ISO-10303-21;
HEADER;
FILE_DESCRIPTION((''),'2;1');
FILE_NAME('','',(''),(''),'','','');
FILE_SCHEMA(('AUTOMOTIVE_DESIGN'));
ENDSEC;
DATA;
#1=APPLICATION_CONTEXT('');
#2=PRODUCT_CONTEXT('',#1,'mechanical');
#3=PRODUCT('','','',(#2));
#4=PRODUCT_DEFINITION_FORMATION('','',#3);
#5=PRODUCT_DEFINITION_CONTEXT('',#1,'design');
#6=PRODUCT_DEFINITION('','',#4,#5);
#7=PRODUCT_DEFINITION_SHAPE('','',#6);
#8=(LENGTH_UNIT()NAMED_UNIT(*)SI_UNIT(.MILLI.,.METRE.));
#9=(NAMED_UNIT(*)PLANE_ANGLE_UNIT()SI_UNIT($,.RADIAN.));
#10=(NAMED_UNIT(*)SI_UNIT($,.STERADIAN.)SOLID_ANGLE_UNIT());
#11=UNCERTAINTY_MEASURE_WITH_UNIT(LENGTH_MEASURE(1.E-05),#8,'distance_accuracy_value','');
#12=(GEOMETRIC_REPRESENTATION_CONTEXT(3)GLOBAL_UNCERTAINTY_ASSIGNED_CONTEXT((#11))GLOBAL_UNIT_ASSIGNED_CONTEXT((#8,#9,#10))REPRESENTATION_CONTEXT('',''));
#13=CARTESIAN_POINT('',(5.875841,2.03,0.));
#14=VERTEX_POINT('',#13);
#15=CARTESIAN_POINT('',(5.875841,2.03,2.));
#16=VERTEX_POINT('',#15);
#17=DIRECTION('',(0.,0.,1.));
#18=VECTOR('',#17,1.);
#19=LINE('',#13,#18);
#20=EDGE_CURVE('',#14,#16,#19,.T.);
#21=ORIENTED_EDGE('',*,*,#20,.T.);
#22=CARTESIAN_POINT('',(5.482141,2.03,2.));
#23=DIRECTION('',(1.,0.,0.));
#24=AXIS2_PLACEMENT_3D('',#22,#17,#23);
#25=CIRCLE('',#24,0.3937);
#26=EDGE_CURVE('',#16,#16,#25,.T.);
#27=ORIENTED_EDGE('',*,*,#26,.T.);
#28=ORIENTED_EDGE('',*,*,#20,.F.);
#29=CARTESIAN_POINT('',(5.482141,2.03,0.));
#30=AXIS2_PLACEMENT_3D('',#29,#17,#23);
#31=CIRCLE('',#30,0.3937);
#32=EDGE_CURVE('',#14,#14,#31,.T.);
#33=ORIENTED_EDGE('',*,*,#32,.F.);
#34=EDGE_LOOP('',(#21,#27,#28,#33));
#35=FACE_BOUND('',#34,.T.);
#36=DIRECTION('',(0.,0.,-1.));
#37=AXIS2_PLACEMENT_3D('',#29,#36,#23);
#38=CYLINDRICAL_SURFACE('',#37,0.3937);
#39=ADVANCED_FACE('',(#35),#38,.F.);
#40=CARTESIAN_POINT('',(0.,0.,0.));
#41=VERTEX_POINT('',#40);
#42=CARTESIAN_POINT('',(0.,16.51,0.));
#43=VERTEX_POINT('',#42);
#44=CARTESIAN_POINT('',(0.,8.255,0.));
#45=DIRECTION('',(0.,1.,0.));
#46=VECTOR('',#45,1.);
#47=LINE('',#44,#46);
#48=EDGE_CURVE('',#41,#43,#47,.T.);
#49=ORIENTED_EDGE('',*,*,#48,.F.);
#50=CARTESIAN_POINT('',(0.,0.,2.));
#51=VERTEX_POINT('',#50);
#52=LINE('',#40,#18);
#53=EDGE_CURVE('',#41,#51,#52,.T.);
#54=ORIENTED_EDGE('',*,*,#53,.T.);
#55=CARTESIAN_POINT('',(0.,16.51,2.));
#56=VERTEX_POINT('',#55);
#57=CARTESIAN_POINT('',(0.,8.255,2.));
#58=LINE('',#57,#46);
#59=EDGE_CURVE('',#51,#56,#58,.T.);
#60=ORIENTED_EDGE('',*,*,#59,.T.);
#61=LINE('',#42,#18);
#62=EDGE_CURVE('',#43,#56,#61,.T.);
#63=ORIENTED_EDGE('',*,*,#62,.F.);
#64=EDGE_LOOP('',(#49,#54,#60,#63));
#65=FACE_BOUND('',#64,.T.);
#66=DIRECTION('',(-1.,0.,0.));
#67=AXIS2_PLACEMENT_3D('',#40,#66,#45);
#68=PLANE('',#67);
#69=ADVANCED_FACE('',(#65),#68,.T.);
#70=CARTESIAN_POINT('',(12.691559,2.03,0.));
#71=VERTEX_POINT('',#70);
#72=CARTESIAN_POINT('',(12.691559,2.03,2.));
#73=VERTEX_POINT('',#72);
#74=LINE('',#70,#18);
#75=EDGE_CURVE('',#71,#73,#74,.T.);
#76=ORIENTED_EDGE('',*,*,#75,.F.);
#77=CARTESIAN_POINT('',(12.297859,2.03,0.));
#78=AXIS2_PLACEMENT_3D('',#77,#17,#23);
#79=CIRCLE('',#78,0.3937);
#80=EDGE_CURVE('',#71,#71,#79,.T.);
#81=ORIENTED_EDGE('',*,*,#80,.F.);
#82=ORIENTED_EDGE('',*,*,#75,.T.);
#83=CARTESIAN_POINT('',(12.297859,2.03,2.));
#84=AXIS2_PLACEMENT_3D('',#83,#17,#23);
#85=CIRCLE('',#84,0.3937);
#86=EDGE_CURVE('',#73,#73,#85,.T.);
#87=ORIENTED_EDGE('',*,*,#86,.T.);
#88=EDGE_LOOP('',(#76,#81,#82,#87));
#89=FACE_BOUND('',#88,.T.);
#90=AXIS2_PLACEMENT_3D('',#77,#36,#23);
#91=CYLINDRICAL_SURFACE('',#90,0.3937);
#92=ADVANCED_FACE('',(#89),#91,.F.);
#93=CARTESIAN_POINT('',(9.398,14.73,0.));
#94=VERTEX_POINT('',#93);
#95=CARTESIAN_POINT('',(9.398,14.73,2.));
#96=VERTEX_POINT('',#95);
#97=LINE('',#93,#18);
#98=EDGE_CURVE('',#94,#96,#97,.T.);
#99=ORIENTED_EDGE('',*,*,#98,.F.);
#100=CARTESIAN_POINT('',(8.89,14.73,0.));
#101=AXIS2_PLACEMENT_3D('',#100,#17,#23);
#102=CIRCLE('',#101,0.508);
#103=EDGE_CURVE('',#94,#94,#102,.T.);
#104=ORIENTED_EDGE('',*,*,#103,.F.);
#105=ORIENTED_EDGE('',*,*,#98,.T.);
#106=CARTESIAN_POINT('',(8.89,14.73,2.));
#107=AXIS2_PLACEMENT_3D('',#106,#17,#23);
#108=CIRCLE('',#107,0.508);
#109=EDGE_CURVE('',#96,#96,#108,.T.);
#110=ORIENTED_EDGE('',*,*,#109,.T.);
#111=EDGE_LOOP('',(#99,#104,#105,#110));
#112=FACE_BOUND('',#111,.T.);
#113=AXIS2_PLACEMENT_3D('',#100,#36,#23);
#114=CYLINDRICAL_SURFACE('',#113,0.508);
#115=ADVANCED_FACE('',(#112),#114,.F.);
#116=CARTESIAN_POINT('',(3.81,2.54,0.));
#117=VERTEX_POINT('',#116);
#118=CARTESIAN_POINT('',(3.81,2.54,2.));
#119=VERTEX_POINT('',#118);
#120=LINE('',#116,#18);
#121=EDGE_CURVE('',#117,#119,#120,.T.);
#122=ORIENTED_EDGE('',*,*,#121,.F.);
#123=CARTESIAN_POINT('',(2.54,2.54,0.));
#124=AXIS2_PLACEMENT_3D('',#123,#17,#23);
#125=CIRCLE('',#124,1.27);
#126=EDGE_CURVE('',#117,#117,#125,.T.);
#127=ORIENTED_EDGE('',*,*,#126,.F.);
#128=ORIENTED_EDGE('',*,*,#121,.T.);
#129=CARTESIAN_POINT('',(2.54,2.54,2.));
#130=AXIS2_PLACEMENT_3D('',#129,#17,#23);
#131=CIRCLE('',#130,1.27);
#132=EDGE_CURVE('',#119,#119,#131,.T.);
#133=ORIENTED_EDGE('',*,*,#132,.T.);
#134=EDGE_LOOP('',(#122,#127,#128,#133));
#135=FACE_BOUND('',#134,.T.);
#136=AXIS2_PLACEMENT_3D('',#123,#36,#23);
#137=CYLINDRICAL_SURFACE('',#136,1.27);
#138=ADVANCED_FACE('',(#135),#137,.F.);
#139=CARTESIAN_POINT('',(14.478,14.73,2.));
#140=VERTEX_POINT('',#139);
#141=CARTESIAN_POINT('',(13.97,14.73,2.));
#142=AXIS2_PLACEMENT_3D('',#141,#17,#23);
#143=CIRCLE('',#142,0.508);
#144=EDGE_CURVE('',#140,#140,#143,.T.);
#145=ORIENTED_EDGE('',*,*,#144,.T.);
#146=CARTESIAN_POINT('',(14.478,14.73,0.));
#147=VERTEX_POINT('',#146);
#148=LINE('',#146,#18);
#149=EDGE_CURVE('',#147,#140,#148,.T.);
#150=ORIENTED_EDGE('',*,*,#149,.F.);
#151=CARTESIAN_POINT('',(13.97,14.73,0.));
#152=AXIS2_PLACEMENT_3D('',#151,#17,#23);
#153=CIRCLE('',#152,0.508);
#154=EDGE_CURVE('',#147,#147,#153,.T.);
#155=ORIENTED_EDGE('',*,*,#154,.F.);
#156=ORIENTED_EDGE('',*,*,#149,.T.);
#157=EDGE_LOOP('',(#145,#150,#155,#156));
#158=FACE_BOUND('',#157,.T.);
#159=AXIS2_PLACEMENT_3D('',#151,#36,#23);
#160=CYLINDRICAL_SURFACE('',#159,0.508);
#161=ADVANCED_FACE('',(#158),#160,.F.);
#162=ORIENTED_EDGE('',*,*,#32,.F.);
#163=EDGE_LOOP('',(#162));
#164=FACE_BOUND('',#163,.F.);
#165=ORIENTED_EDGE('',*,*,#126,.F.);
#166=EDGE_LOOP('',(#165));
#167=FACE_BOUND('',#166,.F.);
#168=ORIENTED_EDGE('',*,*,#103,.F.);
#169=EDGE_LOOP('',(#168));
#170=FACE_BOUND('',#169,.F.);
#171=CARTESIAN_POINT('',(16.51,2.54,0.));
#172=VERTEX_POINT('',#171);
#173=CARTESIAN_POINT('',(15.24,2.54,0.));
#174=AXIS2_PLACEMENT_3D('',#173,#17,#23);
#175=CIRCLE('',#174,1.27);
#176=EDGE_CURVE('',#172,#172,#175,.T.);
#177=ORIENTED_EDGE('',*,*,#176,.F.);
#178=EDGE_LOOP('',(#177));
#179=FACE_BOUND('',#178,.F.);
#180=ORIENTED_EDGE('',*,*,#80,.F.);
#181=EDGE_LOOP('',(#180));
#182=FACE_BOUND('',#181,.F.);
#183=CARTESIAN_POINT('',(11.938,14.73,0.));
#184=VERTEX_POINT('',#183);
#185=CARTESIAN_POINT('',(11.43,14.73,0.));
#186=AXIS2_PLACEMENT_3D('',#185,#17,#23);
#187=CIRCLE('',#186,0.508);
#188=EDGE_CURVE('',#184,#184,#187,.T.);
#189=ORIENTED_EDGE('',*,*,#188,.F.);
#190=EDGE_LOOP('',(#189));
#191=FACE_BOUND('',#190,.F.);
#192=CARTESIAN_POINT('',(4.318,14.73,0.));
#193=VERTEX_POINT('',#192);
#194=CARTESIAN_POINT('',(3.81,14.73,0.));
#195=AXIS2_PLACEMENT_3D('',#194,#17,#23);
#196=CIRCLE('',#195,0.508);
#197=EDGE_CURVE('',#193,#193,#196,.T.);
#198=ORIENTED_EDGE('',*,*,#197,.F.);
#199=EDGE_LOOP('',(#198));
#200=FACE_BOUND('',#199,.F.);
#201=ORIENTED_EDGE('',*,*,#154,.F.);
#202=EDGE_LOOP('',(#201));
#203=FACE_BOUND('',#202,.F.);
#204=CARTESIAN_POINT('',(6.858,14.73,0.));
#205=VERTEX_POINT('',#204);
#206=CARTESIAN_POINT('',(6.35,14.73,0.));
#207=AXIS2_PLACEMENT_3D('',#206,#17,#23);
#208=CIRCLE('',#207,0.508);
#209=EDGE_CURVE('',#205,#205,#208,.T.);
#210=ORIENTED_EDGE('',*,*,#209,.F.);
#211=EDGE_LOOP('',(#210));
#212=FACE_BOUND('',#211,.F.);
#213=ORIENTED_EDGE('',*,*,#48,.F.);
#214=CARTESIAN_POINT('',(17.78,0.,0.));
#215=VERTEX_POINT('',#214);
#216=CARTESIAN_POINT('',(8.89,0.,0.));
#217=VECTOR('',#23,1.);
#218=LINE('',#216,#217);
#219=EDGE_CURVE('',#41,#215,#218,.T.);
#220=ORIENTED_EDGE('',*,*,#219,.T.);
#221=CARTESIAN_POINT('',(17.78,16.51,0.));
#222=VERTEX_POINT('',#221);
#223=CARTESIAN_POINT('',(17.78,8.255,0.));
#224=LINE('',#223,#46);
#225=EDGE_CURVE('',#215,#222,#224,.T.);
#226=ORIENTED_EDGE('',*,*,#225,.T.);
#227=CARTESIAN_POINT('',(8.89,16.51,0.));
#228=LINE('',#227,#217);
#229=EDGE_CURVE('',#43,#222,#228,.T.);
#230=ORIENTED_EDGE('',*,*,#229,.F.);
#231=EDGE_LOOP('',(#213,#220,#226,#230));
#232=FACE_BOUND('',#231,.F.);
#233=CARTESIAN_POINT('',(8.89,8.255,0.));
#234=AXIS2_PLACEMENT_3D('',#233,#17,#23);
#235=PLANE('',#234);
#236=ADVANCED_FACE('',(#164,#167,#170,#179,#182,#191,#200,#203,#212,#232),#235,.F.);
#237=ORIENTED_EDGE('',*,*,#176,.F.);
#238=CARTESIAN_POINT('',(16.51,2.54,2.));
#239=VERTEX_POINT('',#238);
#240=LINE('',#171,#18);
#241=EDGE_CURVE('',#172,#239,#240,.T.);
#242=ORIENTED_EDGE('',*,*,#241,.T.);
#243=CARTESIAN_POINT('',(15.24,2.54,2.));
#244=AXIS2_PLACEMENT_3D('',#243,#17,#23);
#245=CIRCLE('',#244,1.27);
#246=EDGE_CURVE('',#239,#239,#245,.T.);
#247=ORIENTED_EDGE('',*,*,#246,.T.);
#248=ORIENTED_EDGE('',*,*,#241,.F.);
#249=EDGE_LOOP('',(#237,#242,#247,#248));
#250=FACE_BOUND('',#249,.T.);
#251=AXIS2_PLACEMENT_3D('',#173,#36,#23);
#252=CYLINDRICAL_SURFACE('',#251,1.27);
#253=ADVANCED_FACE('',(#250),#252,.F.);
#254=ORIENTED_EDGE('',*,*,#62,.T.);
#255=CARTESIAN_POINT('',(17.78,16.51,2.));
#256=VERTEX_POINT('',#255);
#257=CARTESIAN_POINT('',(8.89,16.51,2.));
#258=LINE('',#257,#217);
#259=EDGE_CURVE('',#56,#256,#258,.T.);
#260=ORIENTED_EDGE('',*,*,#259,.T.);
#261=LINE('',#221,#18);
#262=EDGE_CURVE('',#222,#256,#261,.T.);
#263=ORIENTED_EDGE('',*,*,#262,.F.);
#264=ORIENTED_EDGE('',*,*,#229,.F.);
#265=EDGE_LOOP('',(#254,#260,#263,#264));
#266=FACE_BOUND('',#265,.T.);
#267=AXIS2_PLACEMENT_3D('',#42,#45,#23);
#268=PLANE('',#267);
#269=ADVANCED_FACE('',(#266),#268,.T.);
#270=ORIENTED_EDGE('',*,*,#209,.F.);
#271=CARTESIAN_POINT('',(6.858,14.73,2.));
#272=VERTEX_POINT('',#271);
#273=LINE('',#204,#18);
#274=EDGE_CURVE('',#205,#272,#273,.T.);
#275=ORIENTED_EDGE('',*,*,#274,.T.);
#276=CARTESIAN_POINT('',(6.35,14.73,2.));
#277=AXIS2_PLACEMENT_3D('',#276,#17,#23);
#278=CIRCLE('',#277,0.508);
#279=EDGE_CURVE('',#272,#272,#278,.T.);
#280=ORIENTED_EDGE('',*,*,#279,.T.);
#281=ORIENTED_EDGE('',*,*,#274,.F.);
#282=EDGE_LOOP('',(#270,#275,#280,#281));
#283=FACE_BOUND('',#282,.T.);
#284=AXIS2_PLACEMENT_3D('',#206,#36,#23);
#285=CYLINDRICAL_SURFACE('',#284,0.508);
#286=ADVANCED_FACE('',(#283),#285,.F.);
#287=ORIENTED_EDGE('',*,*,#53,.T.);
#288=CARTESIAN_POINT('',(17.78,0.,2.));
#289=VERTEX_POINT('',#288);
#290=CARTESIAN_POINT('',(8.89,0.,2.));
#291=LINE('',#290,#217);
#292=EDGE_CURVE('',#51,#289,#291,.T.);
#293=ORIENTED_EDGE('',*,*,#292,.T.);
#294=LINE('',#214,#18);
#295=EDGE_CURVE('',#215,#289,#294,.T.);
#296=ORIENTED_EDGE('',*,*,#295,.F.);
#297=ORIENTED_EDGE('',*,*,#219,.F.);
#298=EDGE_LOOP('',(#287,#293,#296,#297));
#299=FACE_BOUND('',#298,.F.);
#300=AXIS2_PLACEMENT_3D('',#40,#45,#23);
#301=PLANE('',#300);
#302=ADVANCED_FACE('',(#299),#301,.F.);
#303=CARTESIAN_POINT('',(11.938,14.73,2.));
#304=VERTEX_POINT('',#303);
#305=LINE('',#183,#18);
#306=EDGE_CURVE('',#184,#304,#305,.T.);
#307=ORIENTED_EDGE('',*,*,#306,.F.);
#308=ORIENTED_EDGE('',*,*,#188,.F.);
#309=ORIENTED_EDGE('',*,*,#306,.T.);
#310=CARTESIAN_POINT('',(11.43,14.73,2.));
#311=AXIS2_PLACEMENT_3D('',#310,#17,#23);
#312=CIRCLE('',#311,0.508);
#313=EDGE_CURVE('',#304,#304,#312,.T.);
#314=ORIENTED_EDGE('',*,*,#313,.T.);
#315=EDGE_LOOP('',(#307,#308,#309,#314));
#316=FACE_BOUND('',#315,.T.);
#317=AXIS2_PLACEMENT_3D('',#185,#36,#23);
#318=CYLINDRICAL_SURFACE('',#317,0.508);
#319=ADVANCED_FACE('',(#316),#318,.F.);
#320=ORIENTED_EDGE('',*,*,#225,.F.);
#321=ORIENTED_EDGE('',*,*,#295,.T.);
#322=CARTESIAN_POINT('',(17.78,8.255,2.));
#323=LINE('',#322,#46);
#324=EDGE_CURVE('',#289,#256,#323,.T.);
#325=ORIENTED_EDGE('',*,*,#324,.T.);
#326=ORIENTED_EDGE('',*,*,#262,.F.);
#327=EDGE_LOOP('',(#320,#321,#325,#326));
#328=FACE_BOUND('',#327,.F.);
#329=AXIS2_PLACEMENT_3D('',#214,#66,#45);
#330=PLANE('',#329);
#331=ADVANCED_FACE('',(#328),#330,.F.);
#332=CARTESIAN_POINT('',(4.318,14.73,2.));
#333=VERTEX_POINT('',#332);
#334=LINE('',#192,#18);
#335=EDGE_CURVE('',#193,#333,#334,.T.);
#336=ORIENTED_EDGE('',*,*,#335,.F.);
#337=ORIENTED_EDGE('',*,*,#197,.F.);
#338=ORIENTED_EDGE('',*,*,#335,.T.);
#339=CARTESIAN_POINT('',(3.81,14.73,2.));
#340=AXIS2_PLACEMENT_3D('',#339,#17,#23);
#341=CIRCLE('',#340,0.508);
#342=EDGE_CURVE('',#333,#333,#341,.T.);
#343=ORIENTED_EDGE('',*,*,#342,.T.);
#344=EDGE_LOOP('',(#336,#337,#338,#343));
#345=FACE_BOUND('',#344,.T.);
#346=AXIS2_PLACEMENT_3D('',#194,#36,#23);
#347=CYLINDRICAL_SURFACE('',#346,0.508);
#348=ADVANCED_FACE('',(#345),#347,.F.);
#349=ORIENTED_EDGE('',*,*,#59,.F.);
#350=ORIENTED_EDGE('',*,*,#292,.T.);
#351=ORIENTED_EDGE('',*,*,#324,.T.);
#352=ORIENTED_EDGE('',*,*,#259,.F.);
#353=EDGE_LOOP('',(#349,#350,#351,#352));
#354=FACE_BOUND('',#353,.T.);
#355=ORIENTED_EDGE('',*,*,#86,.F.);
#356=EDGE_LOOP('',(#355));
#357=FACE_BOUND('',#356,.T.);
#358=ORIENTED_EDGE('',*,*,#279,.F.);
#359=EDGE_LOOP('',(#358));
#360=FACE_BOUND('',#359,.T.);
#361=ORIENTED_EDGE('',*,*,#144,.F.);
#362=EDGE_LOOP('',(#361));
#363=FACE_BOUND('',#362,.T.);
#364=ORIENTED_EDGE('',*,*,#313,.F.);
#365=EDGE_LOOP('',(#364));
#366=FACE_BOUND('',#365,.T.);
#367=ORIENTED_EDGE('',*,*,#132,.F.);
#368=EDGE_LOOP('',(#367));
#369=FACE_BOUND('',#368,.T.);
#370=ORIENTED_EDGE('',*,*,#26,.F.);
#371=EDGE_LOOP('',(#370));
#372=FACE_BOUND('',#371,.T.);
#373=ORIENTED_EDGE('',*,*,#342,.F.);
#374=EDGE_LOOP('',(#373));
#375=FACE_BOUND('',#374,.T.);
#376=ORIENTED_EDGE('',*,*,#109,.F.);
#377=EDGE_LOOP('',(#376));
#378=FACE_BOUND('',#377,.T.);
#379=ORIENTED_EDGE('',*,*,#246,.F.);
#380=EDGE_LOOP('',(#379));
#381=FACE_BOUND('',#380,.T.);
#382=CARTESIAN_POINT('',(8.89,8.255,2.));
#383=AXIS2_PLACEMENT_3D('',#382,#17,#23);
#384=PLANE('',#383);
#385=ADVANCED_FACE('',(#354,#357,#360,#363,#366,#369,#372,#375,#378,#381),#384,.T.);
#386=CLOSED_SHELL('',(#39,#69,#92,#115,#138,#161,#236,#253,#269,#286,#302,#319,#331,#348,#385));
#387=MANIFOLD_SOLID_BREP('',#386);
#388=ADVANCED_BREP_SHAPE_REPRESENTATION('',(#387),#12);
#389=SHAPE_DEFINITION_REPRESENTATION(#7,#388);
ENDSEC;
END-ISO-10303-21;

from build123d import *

# Parameters (mm, degrees)
F0_W     = 17.78
F0_H     = 16.51
F0_R     = 1.27
F0_R_2   = 0.3937
F0_R_3   = 0.508
F1_DEPTH = 2


with BuildPart() as f1:
    # F0 (on Top) → F1 (new body)
    with BuildSketch(Plane.XY):
        with Locations((8.89, 8.255)):
            Rectangle(F0_W, F0_H)
        with Locations((2.54, 2.54)):
            Circle(F0_R, mode=Mode.SUBTRACT)
        with Locations((5.482141, 2.03)):
            Circle(F0_R_2, mode=Mode.SUBTRACT)
        with Locations((12.297859, 2.03)):
            Circle(F0_R_2, mode=Mode.SUBTRACT)
        with Locations((15.24, 2.54)):
            Circle(F0_R, mode=Mode.SUBTRACT)
        with Locations((3.81, 14.73)):
            Circle(F0_R_3, mode=Mode.SUBTRACT)
        with Locations((6.35, 14.73)):
            Circle(F0_R_3, mode=Mode.SUBTRACT)
        with Locations((8.89, 14.73)):
            Circle(F0_R_3, mode=Mode.SUBTRACT)
        with Locations((11.43, 14.73)):
            Circle(F0_R_3, mode=Mode.SUBTRACT)
        with Locations((13.97, 14.73)):
            Circle(F0_R_3, mode=Mode.SUBTRACT)
    extrude(amount=F1_DEPTH)


solid = f1.part
